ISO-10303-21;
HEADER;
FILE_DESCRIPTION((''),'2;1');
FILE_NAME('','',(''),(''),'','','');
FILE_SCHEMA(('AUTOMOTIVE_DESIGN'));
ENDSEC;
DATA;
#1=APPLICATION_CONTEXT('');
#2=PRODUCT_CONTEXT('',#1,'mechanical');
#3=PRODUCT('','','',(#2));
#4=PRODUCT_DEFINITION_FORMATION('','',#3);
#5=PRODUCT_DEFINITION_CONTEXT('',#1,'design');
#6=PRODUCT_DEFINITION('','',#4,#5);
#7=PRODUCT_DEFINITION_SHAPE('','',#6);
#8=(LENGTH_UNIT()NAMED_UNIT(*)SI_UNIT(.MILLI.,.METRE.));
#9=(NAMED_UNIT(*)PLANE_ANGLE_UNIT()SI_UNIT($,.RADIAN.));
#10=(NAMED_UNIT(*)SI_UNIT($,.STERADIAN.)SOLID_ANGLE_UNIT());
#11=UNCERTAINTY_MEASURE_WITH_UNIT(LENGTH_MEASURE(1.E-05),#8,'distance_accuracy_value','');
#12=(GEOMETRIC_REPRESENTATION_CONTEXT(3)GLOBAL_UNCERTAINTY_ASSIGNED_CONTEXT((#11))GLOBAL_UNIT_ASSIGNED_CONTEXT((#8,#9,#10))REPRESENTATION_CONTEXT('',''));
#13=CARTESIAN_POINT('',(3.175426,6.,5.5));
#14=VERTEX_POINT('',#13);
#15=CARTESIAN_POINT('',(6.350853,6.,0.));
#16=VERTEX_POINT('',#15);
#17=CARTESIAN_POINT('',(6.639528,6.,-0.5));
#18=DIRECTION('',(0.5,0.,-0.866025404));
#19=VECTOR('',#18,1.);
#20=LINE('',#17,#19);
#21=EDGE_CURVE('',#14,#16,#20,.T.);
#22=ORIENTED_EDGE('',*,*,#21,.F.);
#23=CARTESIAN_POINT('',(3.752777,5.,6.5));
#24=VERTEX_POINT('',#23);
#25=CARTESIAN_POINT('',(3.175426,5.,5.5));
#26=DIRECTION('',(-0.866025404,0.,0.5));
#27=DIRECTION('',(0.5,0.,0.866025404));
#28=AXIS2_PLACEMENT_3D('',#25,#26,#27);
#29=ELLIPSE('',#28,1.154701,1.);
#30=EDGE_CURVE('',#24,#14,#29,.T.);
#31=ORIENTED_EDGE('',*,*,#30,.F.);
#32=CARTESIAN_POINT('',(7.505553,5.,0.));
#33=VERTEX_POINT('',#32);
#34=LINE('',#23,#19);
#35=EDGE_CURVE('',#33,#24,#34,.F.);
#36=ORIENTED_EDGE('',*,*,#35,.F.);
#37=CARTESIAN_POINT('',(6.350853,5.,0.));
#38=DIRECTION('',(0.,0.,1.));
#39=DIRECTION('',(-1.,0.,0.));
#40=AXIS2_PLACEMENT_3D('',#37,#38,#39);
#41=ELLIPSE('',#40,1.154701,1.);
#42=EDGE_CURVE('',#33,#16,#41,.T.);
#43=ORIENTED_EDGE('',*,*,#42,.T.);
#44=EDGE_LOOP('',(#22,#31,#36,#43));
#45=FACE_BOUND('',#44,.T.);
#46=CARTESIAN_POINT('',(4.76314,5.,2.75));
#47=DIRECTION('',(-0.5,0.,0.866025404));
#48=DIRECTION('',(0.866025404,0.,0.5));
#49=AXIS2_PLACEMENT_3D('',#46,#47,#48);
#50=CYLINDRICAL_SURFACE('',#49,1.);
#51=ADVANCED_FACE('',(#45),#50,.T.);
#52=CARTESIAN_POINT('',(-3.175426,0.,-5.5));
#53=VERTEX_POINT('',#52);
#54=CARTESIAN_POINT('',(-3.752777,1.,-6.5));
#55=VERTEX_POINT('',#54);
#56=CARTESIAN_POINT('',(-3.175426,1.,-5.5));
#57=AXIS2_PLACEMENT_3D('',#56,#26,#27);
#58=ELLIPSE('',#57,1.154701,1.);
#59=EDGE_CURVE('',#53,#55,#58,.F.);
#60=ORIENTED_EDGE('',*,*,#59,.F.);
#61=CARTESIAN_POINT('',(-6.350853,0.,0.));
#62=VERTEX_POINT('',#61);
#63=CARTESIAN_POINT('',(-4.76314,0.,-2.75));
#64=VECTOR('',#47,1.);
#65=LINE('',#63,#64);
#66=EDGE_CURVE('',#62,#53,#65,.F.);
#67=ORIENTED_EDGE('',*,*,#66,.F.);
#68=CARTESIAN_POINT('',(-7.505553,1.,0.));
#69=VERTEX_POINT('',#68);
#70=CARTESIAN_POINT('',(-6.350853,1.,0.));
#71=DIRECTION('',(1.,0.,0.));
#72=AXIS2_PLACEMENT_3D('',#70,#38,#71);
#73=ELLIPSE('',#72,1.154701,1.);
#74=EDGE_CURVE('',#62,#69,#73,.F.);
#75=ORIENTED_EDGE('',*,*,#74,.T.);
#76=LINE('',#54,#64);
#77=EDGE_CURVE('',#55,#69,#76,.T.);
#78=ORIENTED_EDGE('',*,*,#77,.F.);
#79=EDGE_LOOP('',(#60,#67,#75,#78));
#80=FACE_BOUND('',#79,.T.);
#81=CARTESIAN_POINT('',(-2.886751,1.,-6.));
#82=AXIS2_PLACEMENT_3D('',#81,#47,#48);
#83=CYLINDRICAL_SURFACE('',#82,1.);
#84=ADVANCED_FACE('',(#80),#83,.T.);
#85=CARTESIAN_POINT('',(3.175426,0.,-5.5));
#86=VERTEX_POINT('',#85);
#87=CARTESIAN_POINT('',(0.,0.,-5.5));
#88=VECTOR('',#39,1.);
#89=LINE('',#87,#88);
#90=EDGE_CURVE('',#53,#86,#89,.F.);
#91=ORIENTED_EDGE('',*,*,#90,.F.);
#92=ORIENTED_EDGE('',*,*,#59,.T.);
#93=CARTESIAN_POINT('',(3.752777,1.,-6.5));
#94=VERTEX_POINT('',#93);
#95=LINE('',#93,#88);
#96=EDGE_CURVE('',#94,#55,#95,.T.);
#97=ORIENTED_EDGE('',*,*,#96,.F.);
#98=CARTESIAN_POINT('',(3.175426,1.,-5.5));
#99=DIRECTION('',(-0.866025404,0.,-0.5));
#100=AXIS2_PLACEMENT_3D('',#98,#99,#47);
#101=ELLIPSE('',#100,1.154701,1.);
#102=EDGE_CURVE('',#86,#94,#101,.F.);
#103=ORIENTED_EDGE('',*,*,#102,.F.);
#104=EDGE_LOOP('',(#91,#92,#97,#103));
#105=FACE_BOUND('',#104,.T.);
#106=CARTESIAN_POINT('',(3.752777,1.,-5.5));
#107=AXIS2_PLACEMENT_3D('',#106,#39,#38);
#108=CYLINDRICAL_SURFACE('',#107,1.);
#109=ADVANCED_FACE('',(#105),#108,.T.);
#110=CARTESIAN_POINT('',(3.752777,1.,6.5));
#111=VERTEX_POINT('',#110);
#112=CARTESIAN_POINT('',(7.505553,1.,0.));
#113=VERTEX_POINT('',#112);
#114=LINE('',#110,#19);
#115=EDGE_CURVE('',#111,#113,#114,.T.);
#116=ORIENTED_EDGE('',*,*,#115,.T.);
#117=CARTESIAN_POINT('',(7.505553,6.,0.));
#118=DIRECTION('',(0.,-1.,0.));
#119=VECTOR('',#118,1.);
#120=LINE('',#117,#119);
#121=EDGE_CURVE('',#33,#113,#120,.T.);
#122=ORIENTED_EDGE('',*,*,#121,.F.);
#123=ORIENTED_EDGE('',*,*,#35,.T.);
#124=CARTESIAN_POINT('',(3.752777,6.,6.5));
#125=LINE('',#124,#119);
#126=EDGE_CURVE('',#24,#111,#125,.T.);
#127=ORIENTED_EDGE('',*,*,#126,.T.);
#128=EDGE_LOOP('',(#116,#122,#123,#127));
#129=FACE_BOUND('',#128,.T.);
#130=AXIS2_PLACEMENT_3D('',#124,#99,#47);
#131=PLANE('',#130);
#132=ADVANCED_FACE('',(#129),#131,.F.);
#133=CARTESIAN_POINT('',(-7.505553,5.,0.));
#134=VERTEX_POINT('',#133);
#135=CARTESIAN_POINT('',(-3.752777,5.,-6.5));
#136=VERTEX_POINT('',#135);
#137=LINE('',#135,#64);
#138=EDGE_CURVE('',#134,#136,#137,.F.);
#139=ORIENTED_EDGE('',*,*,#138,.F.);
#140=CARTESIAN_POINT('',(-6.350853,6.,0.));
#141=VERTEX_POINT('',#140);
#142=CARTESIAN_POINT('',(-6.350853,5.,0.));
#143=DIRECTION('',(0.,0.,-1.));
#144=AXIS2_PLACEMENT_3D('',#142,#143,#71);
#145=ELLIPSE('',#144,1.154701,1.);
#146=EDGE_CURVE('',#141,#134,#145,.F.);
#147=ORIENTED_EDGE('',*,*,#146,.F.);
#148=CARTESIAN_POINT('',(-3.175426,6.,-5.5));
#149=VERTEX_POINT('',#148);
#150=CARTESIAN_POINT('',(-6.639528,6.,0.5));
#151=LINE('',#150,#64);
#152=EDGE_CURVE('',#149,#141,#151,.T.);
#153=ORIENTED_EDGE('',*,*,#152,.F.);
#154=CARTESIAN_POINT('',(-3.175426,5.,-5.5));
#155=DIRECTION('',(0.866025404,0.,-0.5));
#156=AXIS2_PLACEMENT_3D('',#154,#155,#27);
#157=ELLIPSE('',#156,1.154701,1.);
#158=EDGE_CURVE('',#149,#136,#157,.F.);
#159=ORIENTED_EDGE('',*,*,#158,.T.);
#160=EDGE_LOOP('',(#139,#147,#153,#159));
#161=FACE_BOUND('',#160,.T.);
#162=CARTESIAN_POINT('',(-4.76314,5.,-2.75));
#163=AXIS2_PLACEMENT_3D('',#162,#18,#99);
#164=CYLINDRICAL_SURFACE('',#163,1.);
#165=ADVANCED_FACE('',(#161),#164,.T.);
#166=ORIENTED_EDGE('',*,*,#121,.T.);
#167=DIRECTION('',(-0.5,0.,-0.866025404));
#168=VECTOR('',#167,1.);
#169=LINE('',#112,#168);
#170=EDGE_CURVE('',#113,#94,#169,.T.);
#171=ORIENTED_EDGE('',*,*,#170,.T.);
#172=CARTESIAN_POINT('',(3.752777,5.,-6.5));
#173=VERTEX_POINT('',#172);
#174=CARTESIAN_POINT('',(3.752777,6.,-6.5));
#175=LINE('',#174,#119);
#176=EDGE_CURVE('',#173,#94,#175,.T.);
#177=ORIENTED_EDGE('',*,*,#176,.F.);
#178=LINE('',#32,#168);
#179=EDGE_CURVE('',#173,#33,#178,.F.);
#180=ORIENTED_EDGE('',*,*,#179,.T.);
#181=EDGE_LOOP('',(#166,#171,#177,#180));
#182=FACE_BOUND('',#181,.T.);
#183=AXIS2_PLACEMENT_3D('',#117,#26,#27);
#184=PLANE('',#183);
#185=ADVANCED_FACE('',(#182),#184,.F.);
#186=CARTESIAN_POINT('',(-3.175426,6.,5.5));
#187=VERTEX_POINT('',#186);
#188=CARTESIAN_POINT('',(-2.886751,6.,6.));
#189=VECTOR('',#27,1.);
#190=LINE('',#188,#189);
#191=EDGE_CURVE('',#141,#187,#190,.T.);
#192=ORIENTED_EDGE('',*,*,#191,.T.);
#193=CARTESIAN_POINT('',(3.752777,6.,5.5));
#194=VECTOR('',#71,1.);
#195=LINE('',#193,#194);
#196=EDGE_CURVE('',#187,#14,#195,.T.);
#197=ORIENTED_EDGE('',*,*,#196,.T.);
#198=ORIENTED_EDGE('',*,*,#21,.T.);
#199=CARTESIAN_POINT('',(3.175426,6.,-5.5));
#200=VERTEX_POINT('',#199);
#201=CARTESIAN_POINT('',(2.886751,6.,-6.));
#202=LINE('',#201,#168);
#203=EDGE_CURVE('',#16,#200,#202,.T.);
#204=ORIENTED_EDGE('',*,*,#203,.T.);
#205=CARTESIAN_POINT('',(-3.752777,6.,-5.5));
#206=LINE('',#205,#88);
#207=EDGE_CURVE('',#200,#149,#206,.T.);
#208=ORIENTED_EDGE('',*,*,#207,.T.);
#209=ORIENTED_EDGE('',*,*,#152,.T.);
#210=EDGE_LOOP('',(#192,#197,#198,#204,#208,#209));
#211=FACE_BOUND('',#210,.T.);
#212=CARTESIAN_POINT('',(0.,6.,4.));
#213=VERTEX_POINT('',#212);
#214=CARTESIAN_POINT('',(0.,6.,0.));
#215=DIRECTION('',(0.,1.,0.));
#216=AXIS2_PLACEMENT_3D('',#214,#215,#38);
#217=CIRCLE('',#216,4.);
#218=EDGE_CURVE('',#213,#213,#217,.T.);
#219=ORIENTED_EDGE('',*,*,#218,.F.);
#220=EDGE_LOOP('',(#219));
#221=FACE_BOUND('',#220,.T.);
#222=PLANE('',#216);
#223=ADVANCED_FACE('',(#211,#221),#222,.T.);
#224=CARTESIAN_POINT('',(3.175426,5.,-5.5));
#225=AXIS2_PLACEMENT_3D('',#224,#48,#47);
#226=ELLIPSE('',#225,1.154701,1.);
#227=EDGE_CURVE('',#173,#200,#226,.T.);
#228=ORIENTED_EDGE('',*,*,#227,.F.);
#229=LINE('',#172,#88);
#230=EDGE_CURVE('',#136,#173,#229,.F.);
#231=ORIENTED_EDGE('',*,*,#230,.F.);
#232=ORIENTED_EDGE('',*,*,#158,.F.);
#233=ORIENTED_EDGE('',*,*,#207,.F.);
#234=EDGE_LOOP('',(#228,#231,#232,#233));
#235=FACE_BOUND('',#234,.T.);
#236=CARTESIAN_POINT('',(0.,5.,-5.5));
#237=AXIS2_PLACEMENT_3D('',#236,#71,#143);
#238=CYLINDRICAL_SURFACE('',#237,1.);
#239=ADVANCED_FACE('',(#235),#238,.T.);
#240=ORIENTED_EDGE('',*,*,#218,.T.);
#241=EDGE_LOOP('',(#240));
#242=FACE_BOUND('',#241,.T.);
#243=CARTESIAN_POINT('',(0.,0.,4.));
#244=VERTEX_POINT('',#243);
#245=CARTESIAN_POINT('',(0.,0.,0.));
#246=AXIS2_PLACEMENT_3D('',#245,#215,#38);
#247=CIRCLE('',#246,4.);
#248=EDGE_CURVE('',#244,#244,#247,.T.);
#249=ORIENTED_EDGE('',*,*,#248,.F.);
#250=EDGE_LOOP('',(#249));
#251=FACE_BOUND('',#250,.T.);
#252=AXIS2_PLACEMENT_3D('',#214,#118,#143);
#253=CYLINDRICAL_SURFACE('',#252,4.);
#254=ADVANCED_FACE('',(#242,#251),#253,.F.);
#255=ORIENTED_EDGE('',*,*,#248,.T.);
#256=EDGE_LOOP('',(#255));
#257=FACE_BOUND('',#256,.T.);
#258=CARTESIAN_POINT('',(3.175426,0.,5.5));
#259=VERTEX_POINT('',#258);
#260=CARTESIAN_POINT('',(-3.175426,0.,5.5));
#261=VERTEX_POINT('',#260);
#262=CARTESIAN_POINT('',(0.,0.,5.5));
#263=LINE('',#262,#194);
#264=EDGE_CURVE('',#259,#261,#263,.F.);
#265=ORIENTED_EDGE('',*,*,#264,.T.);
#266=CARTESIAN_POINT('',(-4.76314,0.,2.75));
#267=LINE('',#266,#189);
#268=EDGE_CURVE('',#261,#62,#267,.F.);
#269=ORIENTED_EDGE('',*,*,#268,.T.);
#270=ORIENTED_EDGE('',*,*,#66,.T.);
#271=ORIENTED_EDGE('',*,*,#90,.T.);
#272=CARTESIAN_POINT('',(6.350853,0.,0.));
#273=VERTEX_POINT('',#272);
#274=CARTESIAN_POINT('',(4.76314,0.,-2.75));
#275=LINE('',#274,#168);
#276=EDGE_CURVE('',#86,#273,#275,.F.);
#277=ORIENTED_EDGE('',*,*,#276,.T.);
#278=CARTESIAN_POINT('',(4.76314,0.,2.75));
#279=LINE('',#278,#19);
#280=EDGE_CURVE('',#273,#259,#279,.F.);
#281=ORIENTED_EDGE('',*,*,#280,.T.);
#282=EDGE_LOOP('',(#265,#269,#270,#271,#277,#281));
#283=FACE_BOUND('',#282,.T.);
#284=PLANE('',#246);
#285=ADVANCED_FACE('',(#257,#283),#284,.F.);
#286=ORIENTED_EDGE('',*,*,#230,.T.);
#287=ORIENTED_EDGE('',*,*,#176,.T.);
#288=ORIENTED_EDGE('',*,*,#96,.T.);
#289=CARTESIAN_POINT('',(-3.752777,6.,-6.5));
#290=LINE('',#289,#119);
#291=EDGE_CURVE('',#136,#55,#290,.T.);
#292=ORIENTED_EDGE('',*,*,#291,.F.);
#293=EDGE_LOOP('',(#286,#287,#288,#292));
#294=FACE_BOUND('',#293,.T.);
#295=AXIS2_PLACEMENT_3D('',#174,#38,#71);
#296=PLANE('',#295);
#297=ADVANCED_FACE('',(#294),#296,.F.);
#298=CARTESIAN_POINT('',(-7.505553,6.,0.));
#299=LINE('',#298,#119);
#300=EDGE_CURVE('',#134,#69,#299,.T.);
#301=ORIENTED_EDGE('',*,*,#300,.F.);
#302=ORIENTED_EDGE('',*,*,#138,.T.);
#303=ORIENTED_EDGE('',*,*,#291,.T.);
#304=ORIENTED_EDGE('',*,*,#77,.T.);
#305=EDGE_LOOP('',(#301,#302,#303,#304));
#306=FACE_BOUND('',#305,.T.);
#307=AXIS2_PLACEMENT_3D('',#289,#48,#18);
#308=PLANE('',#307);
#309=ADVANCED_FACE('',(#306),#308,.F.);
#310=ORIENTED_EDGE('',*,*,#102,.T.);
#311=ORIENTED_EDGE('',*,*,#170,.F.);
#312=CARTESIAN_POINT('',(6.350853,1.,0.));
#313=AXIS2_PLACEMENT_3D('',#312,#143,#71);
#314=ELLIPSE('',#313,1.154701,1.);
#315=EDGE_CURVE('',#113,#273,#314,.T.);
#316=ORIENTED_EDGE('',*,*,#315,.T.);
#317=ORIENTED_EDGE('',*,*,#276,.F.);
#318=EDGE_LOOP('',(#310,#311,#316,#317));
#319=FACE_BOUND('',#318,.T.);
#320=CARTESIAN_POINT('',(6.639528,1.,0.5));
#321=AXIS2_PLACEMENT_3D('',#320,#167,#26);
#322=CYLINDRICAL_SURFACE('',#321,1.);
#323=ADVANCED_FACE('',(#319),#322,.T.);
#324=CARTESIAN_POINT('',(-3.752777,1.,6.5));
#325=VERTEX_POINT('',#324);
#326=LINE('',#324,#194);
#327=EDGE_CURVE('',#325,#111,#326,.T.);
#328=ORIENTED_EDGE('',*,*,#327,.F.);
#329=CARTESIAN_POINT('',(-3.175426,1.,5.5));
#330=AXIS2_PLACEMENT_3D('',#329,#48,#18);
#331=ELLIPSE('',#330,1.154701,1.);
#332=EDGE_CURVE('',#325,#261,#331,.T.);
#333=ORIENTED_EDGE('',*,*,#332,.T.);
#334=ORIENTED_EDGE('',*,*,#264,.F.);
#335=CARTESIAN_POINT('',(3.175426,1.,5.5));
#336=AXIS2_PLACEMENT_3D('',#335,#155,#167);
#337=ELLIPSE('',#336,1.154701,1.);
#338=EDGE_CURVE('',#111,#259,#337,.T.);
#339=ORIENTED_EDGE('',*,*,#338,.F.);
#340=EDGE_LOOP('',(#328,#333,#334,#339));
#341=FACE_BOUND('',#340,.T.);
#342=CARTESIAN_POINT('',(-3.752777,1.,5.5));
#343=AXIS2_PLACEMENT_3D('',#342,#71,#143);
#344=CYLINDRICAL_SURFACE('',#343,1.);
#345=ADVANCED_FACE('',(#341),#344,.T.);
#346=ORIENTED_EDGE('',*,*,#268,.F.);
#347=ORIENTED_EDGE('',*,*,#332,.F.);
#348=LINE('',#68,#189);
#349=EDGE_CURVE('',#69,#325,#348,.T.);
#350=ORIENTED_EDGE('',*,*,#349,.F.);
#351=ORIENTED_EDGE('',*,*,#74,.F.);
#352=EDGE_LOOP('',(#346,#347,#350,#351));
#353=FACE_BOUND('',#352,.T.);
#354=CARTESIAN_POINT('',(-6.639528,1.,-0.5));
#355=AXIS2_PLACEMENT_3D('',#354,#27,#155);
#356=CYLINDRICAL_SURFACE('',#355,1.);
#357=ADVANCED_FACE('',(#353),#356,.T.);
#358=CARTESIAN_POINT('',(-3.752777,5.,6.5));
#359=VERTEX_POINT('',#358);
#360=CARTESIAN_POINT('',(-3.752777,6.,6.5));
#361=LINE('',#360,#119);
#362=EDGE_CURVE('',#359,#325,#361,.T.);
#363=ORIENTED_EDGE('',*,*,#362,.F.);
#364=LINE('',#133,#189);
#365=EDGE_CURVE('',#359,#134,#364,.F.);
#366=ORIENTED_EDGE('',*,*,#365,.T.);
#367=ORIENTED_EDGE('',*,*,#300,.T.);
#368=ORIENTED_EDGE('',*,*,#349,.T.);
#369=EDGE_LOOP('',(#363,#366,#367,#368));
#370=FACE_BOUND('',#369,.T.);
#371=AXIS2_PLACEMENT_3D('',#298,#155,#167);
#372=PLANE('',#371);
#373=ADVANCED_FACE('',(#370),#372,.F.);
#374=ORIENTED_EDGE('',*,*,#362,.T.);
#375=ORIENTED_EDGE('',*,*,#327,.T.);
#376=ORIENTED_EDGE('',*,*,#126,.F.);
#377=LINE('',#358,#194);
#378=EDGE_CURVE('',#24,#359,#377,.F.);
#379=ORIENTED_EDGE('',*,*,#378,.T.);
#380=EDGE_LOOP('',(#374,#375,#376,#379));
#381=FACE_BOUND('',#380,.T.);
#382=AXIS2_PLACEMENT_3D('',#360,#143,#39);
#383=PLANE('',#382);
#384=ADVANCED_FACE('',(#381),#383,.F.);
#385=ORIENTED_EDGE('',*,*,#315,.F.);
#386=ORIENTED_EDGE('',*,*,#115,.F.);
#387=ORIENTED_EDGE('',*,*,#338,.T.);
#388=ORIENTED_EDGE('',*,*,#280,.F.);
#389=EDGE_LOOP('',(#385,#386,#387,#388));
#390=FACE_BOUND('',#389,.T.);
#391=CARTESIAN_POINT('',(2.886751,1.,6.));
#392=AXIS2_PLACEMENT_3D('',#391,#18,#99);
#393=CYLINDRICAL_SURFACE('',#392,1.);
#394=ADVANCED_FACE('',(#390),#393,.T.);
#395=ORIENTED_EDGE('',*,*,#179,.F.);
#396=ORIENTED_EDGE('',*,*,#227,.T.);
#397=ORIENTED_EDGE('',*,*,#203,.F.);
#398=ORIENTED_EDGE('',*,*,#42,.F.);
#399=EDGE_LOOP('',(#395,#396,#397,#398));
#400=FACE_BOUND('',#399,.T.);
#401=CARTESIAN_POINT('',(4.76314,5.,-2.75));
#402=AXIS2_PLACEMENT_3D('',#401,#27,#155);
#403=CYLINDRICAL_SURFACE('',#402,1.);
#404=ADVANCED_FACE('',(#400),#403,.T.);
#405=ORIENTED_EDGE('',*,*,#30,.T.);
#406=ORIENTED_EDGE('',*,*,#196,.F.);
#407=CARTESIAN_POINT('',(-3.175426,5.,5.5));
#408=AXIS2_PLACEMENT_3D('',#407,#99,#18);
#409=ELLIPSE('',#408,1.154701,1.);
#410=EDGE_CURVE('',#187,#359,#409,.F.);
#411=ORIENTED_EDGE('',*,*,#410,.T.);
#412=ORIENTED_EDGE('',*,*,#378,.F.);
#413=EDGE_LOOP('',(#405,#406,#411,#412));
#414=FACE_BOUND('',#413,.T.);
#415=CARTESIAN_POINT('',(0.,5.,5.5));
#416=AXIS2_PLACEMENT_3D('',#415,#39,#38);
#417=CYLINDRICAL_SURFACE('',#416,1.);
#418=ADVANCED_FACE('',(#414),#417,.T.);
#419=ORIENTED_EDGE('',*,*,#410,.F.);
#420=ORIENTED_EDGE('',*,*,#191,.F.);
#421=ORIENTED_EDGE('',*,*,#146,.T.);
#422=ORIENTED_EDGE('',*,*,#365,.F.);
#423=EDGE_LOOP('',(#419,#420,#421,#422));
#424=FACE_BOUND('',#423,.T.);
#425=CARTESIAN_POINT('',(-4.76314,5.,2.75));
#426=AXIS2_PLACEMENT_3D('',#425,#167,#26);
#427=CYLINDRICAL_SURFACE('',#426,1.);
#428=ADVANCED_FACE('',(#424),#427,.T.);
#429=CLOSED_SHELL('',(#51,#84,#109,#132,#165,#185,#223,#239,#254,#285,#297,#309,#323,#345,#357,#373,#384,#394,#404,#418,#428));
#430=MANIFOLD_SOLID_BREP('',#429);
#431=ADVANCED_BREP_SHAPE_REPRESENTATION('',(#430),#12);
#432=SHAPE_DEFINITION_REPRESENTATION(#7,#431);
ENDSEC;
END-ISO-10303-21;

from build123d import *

# Parameters (mm, degrees)
SKETCH1_R           = 4
BOSS_EXTRUDE1_DEPTH = 6
FILLET1_R           = 1


with BuildPart() as part:
    # Sketch1 → Boss-Extrude1 (new body)
    with BuildSketch(Plane(origin=(0, 0, 0), x_dir=(1, 0, 0), z_dir=(0, 1, 0))):
        Polygon((7.505553499, 0), (3.75277675, 6.5), (-3.75277675, 6.5), (-7.505553499, 0), (-3.75277675, -6.5), (3.75277675, -6.5), align=None)
        Circle(SKETCH1_R, mode=Mode.SUBTRACT)
    extrude(amount=BOSS_EXTRUDE1_DEPTH)

    # Fillet1
    fillet1_edges = [part.edges().sort_by_distance(p)[0] for p in [
        (0, 6, -6.5),
        (-5.629165125, 6, -3.25),
        (-5.629165125, 6, 3.25),
        (0, 6, 6.5),
        (5.629165125, 6, 3.25),
        (0, 0, 6.5),
        (-5.629165125, 0, 3.25),
        (-5.629165125, 0, -3.25),
        (0, 0, -6.5),
        (5.629165125, 0, -3.25),
        (5.629165125, 0, 3.25),
        (5.629165125, 6, -3.25),
    ]]
    fillet(fillet1_edges, radius=FILLET1_R)


solid = part.part
